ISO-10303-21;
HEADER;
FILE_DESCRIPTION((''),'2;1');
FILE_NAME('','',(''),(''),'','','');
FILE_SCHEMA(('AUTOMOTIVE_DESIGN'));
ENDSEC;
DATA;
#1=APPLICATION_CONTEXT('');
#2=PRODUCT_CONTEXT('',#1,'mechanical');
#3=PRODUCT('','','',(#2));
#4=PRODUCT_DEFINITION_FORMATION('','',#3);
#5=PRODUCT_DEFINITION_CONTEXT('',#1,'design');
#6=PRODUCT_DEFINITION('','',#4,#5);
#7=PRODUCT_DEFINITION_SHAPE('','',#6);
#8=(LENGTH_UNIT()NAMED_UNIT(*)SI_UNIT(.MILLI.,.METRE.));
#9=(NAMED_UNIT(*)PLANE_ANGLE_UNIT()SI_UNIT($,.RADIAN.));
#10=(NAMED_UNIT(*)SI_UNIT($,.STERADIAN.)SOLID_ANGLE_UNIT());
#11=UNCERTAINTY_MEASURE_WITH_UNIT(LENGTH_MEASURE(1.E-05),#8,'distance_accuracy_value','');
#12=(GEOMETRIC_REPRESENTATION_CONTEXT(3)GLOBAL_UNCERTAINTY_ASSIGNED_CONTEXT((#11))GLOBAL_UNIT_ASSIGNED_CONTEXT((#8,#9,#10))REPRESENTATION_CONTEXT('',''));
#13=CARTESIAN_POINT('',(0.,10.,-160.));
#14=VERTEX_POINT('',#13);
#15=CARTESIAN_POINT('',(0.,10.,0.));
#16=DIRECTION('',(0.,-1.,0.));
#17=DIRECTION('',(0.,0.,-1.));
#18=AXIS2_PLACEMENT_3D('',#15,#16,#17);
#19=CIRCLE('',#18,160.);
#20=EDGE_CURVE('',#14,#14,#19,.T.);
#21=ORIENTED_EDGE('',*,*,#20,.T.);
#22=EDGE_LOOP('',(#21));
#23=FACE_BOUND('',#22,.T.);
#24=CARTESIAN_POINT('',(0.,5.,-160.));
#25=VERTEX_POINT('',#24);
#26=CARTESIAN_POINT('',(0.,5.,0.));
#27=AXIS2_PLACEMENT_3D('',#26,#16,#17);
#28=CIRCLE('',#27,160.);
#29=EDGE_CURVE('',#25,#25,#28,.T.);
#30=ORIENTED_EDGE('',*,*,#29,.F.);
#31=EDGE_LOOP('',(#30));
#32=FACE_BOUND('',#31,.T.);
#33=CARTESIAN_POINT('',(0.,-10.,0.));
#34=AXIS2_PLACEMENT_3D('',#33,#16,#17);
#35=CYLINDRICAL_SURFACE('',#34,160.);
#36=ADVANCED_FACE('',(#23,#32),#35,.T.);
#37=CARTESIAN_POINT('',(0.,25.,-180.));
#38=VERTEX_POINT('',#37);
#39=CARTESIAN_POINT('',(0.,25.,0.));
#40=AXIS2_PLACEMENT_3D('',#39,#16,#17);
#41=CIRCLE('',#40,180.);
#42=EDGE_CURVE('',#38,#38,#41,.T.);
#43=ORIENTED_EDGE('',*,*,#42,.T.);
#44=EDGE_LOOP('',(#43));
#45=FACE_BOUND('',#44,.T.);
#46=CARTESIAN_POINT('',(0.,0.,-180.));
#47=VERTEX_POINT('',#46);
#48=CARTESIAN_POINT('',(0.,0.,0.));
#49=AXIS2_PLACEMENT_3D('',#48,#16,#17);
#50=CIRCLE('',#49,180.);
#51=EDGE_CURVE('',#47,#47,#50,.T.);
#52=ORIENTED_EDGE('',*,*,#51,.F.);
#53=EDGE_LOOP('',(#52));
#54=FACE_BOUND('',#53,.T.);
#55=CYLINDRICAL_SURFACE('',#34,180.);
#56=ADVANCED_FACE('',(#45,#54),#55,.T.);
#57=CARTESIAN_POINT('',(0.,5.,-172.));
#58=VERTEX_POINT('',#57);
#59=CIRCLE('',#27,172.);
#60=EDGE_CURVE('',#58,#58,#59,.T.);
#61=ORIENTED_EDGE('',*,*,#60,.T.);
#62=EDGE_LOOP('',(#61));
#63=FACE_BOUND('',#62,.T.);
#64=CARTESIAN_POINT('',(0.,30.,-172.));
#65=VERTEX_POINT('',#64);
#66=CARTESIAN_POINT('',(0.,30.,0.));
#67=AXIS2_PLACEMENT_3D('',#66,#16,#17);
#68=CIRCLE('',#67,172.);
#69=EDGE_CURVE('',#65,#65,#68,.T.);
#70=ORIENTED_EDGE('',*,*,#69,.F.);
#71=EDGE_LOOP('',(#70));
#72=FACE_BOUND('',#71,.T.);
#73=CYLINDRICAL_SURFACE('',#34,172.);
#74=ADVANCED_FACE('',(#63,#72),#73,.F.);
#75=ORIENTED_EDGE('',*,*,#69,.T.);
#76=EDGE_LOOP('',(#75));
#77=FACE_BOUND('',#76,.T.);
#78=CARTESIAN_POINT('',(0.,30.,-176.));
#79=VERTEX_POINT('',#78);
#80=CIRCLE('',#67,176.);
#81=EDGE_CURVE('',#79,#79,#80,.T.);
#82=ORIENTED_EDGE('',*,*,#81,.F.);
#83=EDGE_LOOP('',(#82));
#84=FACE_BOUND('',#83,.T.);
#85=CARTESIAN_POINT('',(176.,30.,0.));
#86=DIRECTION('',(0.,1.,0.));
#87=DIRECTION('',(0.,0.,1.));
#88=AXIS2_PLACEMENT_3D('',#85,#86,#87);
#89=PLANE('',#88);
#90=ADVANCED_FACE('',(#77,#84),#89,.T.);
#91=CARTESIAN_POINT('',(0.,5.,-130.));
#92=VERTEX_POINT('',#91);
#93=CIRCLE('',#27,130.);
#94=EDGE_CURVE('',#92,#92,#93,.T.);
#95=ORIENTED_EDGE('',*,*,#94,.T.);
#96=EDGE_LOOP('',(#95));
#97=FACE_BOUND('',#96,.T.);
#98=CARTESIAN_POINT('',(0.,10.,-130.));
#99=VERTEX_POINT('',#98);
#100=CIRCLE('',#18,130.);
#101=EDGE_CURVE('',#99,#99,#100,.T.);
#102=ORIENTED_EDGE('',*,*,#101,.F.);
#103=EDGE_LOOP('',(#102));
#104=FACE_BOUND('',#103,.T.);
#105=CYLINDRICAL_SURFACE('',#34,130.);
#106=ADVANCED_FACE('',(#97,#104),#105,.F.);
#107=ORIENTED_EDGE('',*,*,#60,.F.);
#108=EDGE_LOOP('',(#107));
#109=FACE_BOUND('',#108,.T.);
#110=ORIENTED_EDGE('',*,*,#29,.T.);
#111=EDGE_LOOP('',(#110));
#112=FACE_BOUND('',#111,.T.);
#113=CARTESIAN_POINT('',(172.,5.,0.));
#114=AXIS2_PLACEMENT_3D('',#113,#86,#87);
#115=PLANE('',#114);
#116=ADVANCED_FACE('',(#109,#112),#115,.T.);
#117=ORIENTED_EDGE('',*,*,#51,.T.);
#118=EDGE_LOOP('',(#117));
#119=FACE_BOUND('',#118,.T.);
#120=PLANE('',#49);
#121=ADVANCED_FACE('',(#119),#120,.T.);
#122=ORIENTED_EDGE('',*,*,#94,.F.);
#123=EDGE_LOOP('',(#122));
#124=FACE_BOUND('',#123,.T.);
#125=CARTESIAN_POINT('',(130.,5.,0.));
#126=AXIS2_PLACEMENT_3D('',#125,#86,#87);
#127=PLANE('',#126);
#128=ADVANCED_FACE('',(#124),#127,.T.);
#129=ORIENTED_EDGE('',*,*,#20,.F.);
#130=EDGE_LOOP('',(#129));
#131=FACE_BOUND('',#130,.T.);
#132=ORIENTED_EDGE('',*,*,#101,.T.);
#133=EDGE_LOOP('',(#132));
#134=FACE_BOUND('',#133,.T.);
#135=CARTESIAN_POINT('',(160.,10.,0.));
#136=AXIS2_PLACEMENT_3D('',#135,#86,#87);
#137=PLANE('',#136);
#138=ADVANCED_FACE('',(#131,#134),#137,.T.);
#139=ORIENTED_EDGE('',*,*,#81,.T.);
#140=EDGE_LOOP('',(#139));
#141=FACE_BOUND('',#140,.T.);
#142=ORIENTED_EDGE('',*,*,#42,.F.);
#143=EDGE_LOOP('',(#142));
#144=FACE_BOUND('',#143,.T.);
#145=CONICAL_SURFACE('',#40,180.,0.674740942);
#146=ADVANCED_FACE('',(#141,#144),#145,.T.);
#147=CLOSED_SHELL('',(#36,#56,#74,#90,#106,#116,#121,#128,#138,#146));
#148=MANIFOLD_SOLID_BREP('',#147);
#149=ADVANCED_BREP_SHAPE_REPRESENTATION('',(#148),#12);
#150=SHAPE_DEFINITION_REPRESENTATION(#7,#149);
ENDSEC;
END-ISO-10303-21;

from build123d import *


with BuildPart() as part:
    # Sketch1 → Removable Drainage Saucer (revolve)
    with BuildSketch(Plane.XY, mode=Mode.PRIVATE) as removable_drainage_saucer_sk:
        Polygon((0, 0), (180, 0), (180, 25), (176, 30), (172, 30), (172, 5), (160, 5), (160, 10), (130, 10), (130, 5), (0, 5), align=None)
    revolve(removable_drainage_saucer_sk.sketch.rotate(Axis((0, -10, 0), (0, 1, 0)), 90), axis=Axis((0, -10, 0), (0, 1, 0)))


solid = part.part
